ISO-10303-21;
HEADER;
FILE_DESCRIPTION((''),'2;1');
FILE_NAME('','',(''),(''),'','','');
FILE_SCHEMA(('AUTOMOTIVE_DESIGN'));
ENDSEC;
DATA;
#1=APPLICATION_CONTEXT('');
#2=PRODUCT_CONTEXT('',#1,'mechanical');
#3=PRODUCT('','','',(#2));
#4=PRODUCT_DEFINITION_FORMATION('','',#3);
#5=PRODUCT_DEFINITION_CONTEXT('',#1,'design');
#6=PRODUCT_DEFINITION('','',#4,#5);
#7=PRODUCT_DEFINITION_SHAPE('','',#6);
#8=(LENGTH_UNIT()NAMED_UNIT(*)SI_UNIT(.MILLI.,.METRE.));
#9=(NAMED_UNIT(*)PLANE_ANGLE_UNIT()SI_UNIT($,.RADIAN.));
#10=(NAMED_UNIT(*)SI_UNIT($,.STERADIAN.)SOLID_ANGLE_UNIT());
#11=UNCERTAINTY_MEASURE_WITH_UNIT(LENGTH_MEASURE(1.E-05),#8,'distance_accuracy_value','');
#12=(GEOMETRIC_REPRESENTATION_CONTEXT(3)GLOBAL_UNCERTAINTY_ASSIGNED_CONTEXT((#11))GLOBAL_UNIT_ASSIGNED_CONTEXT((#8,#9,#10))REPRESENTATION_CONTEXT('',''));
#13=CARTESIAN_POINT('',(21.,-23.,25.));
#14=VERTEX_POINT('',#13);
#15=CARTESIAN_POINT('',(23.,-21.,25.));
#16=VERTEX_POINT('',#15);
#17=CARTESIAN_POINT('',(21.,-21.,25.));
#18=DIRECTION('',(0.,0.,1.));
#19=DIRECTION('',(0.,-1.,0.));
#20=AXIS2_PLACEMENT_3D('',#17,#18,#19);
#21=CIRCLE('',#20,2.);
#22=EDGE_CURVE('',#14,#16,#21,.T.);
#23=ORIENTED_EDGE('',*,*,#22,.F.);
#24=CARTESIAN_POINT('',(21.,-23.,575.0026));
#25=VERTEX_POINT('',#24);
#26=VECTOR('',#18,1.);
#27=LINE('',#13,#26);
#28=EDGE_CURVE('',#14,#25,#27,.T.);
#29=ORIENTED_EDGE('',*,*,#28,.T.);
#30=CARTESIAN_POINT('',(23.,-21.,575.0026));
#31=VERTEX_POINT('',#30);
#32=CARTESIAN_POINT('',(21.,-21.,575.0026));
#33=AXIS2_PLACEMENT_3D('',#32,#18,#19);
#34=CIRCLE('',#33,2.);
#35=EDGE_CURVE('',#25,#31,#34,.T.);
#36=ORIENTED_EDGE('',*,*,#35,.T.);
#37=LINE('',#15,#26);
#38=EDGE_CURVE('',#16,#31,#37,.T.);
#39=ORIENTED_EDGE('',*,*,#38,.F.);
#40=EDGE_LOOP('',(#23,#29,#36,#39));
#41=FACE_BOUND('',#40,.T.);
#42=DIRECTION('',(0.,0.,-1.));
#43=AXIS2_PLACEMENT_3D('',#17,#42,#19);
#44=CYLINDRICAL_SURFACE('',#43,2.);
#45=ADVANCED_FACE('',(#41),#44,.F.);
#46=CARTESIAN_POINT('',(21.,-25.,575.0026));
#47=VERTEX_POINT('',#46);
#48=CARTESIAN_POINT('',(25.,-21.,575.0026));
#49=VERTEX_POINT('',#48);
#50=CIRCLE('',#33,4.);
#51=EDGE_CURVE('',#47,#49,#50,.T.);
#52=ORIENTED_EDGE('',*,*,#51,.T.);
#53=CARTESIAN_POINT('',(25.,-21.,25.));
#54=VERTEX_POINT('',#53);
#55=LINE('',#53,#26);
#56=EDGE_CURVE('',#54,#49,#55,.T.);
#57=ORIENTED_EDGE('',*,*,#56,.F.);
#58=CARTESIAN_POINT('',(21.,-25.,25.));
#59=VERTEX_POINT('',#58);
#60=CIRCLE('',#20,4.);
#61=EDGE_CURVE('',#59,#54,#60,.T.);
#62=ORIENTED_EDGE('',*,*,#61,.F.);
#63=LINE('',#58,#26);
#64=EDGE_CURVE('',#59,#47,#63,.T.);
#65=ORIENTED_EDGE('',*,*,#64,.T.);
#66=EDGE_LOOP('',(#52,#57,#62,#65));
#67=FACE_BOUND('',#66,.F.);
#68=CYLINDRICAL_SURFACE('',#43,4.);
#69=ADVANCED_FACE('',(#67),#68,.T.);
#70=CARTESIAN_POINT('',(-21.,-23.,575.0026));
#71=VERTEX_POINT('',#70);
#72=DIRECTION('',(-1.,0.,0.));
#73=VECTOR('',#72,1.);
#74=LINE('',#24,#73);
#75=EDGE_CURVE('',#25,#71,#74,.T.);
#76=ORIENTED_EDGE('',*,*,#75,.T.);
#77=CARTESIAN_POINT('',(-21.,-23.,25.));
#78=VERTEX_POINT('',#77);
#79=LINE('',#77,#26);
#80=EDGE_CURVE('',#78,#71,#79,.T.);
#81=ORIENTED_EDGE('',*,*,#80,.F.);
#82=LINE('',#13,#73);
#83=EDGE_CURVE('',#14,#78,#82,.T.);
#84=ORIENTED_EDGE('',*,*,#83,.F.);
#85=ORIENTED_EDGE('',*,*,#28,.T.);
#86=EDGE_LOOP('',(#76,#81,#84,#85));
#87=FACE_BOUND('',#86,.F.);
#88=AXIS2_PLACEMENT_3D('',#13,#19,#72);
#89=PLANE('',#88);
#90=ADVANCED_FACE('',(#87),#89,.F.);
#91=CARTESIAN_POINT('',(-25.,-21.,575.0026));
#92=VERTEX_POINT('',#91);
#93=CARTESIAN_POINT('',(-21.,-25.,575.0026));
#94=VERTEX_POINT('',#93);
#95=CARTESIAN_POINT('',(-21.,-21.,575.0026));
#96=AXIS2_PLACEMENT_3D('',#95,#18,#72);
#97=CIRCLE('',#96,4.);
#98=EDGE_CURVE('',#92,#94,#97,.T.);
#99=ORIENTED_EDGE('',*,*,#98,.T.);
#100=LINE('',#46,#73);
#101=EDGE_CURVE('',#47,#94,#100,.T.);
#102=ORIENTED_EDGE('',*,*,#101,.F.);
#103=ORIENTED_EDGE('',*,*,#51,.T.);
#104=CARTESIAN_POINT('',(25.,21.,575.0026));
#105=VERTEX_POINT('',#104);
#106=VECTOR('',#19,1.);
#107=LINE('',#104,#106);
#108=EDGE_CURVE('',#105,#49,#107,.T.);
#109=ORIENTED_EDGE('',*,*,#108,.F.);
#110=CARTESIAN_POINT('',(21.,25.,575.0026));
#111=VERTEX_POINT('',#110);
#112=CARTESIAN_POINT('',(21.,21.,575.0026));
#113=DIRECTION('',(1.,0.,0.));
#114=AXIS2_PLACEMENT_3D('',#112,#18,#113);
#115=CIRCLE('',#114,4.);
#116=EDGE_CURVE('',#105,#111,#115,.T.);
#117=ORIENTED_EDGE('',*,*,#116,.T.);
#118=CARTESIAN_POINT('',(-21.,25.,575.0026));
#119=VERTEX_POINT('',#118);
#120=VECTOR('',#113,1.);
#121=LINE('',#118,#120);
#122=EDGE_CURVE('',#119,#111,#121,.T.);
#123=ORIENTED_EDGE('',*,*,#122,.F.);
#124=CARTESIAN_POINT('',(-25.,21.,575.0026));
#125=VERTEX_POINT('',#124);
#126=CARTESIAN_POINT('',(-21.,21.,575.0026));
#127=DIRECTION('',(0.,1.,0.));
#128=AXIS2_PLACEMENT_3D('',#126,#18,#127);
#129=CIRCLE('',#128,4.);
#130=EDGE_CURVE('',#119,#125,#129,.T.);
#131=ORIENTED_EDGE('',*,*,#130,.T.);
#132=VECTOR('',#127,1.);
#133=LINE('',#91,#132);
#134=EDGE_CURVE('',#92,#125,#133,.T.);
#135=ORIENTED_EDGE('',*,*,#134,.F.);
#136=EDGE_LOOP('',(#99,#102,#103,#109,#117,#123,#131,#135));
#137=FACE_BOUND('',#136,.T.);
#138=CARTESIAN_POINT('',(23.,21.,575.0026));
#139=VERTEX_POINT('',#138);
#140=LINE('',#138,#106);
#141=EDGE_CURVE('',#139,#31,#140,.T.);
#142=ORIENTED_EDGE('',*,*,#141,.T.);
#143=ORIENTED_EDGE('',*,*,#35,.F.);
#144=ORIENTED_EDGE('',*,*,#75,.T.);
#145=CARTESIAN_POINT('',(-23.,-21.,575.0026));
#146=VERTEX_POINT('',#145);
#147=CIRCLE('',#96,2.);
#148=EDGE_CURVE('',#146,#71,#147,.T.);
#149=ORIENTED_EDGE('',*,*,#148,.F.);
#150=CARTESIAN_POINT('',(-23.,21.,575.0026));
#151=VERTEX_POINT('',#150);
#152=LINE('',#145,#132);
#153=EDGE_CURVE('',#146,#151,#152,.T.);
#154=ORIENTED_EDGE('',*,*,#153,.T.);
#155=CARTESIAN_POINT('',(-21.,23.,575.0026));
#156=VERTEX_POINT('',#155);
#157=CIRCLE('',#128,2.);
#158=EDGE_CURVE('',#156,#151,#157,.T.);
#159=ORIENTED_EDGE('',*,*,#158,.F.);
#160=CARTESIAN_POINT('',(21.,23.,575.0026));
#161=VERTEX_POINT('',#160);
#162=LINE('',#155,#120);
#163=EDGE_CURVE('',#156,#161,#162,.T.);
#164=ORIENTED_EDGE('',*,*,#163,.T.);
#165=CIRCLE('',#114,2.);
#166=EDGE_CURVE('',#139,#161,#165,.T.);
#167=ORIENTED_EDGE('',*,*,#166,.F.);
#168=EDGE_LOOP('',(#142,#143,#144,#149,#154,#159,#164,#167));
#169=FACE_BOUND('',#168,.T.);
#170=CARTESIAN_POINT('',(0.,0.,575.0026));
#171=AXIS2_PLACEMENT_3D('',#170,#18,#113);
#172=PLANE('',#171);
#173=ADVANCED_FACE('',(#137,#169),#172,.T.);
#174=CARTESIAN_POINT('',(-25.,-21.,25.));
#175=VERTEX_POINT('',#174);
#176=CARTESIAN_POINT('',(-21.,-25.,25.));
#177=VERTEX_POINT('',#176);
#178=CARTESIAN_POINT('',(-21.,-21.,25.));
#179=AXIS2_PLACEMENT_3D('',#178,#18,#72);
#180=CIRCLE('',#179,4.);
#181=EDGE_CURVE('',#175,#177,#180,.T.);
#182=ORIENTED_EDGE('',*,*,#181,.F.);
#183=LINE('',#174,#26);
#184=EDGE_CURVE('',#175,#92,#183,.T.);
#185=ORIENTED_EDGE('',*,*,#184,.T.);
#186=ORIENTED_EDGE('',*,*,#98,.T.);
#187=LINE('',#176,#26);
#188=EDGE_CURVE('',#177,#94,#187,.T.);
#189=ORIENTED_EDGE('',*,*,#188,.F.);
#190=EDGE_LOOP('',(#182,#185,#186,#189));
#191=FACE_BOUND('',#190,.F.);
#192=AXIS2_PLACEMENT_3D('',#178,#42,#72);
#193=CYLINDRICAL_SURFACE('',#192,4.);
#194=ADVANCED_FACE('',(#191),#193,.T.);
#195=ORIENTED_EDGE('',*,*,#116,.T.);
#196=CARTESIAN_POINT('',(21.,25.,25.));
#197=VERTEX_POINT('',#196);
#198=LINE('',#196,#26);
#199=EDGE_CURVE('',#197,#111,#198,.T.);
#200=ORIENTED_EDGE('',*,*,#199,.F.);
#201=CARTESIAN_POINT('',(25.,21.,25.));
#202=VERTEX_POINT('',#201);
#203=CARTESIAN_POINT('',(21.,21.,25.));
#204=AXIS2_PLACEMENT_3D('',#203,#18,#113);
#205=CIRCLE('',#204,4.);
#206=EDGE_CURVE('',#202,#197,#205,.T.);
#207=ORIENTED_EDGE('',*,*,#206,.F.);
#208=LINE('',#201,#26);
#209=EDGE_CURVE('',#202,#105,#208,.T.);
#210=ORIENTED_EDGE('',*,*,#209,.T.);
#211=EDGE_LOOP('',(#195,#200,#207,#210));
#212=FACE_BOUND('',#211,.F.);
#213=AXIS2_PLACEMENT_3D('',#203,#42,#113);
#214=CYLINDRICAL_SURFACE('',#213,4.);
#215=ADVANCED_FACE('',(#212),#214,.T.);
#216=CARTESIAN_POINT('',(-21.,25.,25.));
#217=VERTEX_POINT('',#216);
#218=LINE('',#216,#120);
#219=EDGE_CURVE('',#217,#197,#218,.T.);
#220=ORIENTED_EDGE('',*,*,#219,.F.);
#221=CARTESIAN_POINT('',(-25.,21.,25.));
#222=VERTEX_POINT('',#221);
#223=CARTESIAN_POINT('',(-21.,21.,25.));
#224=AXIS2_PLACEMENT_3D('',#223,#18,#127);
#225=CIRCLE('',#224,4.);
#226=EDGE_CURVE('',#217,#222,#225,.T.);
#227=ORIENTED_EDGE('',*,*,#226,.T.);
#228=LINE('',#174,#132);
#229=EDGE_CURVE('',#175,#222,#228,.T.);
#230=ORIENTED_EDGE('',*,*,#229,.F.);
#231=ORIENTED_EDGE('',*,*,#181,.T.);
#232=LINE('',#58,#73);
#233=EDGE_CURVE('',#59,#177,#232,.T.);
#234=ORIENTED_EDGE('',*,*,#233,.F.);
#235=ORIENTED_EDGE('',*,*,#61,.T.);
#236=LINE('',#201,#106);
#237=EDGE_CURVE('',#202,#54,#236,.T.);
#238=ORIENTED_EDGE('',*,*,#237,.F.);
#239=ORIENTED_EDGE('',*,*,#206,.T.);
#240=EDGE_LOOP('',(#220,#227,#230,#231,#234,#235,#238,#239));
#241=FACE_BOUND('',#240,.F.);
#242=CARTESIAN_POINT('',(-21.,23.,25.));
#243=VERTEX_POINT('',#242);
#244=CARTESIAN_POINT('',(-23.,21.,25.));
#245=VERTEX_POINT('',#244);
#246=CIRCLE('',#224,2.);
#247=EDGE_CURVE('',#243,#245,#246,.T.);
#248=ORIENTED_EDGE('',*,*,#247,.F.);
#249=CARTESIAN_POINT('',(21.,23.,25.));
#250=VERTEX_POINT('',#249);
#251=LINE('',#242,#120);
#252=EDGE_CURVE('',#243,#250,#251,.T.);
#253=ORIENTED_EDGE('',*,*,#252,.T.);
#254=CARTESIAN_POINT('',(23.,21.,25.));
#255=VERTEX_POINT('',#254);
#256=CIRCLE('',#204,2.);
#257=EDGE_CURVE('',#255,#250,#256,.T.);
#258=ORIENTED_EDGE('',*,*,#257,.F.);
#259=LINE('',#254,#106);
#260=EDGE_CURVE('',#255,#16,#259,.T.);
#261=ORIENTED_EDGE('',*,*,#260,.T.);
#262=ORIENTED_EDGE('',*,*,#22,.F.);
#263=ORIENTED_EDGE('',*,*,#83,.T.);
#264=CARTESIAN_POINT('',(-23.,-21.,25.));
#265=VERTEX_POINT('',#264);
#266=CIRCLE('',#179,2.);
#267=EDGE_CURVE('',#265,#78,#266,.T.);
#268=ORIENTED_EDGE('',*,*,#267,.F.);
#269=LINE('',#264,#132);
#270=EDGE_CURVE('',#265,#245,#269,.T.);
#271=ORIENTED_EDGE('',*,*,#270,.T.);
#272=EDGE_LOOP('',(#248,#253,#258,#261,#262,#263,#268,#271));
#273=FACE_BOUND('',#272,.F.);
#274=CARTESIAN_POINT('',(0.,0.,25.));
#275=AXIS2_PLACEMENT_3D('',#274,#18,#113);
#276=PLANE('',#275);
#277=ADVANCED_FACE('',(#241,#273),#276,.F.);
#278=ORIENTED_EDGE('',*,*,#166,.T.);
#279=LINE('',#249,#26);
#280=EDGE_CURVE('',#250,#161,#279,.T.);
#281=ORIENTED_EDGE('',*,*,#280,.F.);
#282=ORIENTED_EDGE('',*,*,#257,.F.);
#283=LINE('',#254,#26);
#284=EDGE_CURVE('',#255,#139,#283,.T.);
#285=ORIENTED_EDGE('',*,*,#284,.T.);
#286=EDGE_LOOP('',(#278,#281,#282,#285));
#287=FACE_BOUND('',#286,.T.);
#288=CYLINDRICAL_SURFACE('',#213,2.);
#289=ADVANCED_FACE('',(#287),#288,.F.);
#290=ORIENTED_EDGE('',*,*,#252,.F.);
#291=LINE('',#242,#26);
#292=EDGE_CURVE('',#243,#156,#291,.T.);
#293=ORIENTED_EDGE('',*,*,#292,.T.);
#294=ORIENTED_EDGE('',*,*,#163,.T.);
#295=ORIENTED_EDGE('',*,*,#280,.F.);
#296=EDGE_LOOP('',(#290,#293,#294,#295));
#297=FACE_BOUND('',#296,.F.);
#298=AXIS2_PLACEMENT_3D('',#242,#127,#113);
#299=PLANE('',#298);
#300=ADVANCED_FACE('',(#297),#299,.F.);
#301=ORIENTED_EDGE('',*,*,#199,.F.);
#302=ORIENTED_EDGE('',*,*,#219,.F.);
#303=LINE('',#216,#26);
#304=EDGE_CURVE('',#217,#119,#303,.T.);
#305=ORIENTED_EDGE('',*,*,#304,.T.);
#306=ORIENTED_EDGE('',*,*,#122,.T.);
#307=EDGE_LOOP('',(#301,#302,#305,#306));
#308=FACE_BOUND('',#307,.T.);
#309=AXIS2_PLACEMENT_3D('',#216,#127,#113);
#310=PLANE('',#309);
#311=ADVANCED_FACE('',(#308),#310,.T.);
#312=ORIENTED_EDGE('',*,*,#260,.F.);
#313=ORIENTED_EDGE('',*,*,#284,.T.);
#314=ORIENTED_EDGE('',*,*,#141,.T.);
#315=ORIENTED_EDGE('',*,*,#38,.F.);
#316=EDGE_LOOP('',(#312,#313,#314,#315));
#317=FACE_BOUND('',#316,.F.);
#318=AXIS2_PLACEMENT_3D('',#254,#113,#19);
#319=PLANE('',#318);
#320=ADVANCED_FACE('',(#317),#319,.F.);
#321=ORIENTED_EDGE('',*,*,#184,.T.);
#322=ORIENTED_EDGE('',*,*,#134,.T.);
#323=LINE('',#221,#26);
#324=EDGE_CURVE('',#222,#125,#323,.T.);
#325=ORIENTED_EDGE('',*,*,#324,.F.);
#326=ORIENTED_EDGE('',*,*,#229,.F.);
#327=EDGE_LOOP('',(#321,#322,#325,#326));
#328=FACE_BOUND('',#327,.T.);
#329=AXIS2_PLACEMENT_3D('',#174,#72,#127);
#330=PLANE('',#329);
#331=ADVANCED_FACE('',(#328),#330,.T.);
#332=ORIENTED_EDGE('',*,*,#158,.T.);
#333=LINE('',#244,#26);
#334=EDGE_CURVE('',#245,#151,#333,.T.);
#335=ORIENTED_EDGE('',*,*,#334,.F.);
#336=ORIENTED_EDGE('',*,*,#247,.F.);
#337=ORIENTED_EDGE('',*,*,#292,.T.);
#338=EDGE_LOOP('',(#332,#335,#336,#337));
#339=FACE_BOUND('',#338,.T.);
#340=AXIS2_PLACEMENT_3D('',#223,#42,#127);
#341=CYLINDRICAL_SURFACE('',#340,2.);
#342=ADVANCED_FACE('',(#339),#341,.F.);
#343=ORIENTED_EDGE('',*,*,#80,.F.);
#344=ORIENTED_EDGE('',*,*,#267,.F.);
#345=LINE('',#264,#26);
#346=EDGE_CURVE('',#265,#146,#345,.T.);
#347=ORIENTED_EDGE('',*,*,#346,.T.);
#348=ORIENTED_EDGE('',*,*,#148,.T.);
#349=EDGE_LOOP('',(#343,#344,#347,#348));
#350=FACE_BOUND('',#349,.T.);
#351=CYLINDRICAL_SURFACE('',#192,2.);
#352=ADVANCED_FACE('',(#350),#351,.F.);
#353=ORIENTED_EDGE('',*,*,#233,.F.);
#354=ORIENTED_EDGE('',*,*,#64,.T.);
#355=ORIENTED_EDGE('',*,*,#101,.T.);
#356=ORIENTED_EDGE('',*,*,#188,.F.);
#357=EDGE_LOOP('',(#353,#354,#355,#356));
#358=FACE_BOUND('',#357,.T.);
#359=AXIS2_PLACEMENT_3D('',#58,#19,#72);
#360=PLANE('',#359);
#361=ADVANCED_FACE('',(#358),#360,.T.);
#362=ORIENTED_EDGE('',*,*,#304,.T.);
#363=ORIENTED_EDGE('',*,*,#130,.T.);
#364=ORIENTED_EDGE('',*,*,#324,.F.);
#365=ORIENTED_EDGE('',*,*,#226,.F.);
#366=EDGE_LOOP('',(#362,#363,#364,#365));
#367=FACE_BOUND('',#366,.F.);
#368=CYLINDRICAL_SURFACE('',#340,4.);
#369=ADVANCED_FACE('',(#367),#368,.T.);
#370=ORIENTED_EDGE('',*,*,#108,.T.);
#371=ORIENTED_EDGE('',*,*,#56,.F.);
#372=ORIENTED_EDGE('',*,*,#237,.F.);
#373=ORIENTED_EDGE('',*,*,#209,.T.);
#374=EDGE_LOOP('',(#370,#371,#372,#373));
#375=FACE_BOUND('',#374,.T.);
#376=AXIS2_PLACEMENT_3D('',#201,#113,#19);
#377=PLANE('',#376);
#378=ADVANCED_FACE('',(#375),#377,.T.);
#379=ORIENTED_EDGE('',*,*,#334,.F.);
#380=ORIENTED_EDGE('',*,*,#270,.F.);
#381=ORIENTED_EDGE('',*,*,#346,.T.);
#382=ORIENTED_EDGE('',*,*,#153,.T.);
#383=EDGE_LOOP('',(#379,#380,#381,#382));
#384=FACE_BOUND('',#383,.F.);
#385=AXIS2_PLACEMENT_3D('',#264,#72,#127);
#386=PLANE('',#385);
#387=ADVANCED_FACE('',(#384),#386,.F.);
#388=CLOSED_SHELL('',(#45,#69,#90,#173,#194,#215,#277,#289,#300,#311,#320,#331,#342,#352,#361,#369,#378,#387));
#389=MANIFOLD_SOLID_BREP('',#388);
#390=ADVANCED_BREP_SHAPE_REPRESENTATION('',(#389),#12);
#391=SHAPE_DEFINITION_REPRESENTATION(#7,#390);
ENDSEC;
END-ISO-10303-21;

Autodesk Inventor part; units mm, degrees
ref_plane "Start Plane" through (0, 0, 25) normal (0, 0, 1) x (1, 0, 0)
ref_plane "End Plane" through (0, 0, 575.0026) normal (0, 0, 1) x (1, 0, 0)
sketch "Sketch" plane through (0, 0, 0) normal (0, 0, 1) x (1, 0, 0)
  line L0 (-25, -21) -> (-25, 21)
  line L1 (-21, 25) -> (21, 25)
  line L2 (25, 21) -> (25, -21)
  line L3 (21, -25) -> (-21, -25)
  arc A0 (-25, -21) -> (-21, -25) centre (-21, -21) ccw
  arc A1 (25, 21) -> (21, 25) centre (21, 21) ccw
  arc A2 (-21, 25) -> (-25, 21) centre (-21, 21) ccw
  arc A3 (21, -25) -> (25, -21) centre (21, -21) ccw
  arc A4 (-21, 23) -> (-23, 21) centre (-21, 21) ccw
  line L4 (-21, 23) -> (21, 23)
  arc A5 (23, 21) -> (21, 23) centre (21, 21) ccw
  line L5 (23, 21) -> (23, -21)
  arc A6 (21, -23) -> (23, -21) centre (21, -21) ccw
  line L6 (21, -23) -> (-21, -23)
  arc A7 (-23, -21) -> (-21, -23) centre (-21, -21) ccw
  line L7 (-23, -21) -> (-23, 21)
  line L8 (0, 36.1598) -> (0, -36.1598) construction
  line L9 (-36.1598, 0) -> (36.1598, 0) construction
  dimension "d7" = 4
  dimension "d9" = 50
  dimension "d11" = 50
  dimension "d12" = 2
  dimension "d15" = 25
  dimension "d16" = 25
extrude "Body" add sketch "Sketch" along normal up to surface (550.0026 mm away) from surface at 25
sketch "Sketch3" plane through (0, 0, 0) normal (0, 0, 1) x (1, 0, 0)
  line L0 (0, 0) -> (10, 0)
ref_plane "Work Plane3" through (0, 0, 0) normal (0, -1, 0) x (1, 0, 0)
sketch "Sketch4" plane through (0, 0, 0) normal (0, -1, 0) x (1, 0, 0)
  line L0 (-2, 25) -> (12, 25)
  line L1 (-2, 575.0026) -> (12, 575.0026)
  dimension "d18" = 550.0026
ref_plane "Work Plane4" through (-1155, 21, 575.0026) normal (0, 0, 1) x (1, 0, 0)
split "Split1" plane through (-1155, 21, 575.0026) removes the side toward (0, 0, 1)
ref_plane "Work Plane5" through (1157.5, 21, 25) normal (0, 0, -1) x (-1, 0, 0)
split "Split2" plane through (1157.5, 21, 25) removes the side toward (0, 0, -1)
equation "\"d7\" = G_IR"
equation "\"d9\" = G_W"
equation "\"d11\" = G_H"
equation "\"d12\" = G_T"
equation "\"d15\" = 0.5 * d9"
equation "\"d16\" = 0.5 * d11"
equation "\"d3\" = G_L"
equation "\"G_W\" = 50"
equation "\"G_H\" = 50"
equation "\"G_T\" = 2"
equation "\"G_IR\" = 4"
equation "\"G_L\" = d18"
equation "\"G_OFFSET_START\" = -25"
equation "\"G_OFFSET_END\" = -25"
equation "\"d13\" = -G_OFFSET_START"
equation "\"d14\" = G_OFFSET_END + B_L"
equation "\"B_L\" = 600.0026"
properties part number "ISO 10799-2 - 50x50x2 - 550"
